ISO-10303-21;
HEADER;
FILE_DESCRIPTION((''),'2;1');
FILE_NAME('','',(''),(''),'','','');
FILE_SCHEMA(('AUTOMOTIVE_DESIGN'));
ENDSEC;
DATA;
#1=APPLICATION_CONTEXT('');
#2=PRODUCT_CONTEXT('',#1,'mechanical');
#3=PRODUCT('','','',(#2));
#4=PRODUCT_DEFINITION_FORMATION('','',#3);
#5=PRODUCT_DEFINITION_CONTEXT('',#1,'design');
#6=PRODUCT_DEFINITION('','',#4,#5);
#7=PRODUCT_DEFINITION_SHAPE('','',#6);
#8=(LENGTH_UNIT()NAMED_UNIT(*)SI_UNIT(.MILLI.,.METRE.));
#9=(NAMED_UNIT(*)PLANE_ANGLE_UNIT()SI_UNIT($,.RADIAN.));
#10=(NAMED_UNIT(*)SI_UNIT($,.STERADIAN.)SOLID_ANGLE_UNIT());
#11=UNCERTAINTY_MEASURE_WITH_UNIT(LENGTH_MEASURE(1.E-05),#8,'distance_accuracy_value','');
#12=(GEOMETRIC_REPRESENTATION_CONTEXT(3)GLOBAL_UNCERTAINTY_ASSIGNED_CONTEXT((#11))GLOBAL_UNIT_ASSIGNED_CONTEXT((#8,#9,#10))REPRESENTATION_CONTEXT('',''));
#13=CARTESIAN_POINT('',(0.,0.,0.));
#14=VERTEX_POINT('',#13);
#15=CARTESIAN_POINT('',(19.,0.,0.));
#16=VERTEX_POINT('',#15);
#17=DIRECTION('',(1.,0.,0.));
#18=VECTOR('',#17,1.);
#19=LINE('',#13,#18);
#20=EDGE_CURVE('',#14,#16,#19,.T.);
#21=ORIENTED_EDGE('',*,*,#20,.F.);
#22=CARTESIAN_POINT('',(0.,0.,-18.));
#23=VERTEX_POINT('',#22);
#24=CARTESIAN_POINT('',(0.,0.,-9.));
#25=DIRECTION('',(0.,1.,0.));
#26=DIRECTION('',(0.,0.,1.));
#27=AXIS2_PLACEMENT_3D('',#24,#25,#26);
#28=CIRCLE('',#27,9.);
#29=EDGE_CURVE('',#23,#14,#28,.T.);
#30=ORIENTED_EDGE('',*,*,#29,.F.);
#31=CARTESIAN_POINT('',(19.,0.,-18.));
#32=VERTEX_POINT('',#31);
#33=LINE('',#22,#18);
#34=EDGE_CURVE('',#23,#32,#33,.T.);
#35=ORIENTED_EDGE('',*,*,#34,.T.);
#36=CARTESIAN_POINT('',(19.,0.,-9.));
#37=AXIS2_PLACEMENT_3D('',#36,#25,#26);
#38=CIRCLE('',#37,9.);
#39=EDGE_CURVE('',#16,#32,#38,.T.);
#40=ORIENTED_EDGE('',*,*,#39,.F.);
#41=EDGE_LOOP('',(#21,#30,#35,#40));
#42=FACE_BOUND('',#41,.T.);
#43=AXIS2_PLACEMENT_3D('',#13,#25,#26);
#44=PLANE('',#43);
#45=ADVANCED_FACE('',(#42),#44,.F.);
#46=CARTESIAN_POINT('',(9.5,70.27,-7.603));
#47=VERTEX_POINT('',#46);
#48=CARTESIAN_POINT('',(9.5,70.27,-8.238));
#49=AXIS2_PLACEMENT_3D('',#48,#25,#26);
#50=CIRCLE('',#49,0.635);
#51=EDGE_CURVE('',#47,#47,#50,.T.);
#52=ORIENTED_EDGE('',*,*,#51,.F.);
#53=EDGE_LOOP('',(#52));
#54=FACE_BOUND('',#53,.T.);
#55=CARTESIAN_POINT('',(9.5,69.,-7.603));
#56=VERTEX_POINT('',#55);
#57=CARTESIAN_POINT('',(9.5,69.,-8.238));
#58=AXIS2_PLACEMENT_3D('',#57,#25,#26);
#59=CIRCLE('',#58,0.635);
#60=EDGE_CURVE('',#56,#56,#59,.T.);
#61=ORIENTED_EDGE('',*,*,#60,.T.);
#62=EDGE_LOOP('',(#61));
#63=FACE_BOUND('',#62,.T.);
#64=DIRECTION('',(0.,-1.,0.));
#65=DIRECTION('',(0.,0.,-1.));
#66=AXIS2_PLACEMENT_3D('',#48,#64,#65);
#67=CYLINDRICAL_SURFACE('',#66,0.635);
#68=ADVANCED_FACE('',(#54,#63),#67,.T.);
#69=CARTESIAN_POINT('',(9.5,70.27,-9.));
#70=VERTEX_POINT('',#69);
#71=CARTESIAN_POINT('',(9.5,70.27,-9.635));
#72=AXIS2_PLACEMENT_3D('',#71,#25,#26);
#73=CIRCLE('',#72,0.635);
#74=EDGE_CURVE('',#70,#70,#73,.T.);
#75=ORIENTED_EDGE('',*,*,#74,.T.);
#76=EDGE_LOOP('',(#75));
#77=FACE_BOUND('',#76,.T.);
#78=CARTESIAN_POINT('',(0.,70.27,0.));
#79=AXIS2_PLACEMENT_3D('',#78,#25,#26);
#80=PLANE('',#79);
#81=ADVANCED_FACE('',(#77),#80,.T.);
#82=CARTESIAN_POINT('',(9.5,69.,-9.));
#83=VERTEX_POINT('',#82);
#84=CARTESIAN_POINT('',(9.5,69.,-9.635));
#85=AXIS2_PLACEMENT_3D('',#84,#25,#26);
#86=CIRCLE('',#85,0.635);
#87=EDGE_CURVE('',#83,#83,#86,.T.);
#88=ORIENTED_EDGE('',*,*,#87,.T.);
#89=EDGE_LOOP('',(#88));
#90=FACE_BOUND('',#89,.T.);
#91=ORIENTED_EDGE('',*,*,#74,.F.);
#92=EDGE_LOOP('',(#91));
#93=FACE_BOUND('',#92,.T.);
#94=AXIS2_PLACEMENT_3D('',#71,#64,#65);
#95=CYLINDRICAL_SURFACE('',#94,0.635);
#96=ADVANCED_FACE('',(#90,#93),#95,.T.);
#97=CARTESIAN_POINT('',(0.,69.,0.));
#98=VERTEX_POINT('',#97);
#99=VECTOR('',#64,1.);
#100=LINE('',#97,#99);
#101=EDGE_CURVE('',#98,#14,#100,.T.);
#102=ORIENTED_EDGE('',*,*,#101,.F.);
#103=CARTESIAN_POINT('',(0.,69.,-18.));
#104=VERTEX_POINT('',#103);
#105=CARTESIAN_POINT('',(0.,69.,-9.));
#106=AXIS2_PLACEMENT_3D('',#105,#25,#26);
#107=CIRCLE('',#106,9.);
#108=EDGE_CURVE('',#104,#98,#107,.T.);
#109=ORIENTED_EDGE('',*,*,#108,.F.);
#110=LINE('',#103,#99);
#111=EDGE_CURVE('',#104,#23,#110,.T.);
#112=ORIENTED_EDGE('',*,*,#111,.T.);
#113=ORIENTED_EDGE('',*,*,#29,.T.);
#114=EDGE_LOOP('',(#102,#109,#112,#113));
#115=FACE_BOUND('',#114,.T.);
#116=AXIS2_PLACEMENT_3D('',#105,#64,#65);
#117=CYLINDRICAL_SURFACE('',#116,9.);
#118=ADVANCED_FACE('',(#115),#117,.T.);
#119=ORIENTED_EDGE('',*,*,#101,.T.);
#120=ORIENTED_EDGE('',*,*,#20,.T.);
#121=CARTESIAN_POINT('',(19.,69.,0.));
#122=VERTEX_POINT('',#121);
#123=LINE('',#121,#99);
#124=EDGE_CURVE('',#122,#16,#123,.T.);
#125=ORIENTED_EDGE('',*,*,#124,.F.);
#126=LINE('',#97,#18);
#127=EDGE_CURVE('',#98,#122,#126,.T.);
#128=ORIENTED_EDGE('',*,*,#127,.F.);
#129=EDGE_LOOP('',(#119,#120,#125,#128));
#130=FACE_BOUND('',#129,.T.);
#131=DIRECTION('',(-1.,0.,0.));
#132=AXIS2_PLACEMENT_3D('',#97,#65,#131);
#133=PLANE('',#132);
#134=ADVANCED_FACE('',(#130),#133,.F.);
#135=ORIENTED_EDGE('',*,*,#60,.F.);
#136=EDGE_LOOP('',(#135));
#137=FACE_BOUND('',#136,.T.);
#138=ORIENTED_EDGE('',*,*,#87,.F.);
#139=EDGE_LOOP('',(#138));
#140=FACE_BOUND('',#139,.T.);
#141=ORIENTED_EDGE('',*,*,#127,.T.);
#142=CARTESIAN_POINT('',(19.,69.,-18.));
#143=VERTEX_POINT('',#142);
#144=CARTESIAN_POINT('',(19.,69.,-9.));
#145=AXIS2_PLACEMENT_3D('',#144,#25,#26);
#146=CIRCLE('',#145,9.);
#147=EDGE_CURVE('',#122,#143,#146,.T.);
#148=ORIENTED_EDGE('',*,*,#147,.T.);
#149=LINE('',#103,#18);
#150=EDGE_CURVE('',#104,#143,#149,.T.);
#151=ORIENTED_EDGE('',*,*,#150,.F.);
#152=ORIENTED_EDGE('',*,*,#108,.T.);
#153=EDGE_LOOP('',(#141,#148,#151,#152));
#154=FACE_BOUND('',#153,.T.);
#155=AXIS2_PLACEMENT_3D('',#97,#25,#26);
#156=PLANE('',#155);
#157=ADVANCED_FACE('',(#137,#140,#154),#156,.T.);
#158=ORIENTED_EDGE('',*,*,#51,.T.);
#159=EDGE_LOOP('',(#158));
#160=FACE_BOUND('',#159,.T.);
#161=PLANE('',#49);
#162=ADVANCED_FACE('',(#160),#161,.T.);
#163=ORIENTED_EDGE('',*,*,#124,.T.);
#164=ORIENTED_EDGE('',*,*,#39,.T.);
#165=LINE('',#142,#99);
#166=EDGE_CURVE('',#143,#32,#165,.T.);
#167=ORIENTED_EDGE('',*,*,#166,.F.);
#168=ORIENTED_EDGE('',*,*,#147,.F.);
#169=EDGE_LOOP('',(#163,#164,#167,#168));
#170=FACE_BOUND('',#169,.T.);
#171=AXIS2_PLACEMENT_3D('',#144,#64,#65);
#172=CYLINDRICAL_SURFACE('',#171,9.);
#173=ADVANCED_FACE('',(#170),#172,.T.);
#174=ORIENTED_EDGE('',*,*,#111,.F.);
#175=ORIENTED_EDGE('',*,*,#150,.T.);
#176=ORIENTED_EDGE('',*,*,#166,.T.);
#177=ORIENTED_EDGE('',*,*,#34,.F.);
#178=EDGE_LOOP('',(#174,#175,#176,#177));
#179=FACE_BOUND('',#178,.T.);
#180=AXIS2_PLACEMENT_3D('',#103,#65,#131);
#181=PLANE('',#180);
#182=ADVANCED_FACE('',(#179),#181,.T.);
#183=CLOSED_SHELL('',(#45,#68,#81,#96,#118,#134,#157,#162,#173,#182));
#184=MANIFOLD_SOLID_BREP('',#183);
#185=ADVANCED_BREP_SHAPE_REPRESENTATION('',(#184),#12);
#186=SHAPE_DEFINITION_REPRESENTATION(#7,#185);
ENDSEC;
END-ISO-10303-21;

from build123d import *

# Parameters (mm, degrees)
SKETCH1_W           = 19
SKETCH1_H           = 18
BOSS_EXTRUDE1_DEPTH = 69
SKETCH2_R           = 0.635
BOSS_EXTRUDE2_DEPTH = 1.27
SKETCH3_R           = 0.635
BOSS_EXTRUDE4_DEPTH = 1.27


with BuildPart() as part:
    # Sketch1 → Boss-Extrude1 (new body)
    with BuildSketch(Plane(origin=(0, 0, 0), x_dir=(1, 0, 0), z_dir=(0, 1, 0))):
        with BuildLine():
            Line((0, 0), (0, 18))
            ThreePointArc((0, 18), (-9, 9), (0, 0))
        make_face()
        with Locations((9.5, 9)):
            Rectangle(SKETCH1_W, SKETCH1_H)
        with BuildLine():
            Line((19, 0), (19, 18))
            ThreePointArc((19, 18), (28, 9), (19, 0))
        make_face()
    extrude(amount=BOSS_EXTRUDE1_DEPTH)

    # Sketch2 → Boss-Extrude2 (add)
    with BuildSketch(Plane(origin=(0, 69, 0), x_dir=(1, 0, 0), z_dir=(0, 1, 0))):
        with Locations(Location((9.5, 9.635, 0), (0, 0, 270))):
            Circle(SKETCH2_R)
    extrude(amount=BOSS_EXTRUDE2_DEPTH)

    # Sketch3 → Boss-Extrude4 (add)
    with BuildSketch(Plane(origin=(0, 69, 0), x_dir=(1, 0, 0), z_dir=(0, 1, 0))):
        with Locations(Location((9.5, 8.238, 0), (0, 0, 270))):
            Circle(SKETCH3_R)
    extrude(amount=BOSS_EXTRUDE4_DEPTH)


solid = part.part
